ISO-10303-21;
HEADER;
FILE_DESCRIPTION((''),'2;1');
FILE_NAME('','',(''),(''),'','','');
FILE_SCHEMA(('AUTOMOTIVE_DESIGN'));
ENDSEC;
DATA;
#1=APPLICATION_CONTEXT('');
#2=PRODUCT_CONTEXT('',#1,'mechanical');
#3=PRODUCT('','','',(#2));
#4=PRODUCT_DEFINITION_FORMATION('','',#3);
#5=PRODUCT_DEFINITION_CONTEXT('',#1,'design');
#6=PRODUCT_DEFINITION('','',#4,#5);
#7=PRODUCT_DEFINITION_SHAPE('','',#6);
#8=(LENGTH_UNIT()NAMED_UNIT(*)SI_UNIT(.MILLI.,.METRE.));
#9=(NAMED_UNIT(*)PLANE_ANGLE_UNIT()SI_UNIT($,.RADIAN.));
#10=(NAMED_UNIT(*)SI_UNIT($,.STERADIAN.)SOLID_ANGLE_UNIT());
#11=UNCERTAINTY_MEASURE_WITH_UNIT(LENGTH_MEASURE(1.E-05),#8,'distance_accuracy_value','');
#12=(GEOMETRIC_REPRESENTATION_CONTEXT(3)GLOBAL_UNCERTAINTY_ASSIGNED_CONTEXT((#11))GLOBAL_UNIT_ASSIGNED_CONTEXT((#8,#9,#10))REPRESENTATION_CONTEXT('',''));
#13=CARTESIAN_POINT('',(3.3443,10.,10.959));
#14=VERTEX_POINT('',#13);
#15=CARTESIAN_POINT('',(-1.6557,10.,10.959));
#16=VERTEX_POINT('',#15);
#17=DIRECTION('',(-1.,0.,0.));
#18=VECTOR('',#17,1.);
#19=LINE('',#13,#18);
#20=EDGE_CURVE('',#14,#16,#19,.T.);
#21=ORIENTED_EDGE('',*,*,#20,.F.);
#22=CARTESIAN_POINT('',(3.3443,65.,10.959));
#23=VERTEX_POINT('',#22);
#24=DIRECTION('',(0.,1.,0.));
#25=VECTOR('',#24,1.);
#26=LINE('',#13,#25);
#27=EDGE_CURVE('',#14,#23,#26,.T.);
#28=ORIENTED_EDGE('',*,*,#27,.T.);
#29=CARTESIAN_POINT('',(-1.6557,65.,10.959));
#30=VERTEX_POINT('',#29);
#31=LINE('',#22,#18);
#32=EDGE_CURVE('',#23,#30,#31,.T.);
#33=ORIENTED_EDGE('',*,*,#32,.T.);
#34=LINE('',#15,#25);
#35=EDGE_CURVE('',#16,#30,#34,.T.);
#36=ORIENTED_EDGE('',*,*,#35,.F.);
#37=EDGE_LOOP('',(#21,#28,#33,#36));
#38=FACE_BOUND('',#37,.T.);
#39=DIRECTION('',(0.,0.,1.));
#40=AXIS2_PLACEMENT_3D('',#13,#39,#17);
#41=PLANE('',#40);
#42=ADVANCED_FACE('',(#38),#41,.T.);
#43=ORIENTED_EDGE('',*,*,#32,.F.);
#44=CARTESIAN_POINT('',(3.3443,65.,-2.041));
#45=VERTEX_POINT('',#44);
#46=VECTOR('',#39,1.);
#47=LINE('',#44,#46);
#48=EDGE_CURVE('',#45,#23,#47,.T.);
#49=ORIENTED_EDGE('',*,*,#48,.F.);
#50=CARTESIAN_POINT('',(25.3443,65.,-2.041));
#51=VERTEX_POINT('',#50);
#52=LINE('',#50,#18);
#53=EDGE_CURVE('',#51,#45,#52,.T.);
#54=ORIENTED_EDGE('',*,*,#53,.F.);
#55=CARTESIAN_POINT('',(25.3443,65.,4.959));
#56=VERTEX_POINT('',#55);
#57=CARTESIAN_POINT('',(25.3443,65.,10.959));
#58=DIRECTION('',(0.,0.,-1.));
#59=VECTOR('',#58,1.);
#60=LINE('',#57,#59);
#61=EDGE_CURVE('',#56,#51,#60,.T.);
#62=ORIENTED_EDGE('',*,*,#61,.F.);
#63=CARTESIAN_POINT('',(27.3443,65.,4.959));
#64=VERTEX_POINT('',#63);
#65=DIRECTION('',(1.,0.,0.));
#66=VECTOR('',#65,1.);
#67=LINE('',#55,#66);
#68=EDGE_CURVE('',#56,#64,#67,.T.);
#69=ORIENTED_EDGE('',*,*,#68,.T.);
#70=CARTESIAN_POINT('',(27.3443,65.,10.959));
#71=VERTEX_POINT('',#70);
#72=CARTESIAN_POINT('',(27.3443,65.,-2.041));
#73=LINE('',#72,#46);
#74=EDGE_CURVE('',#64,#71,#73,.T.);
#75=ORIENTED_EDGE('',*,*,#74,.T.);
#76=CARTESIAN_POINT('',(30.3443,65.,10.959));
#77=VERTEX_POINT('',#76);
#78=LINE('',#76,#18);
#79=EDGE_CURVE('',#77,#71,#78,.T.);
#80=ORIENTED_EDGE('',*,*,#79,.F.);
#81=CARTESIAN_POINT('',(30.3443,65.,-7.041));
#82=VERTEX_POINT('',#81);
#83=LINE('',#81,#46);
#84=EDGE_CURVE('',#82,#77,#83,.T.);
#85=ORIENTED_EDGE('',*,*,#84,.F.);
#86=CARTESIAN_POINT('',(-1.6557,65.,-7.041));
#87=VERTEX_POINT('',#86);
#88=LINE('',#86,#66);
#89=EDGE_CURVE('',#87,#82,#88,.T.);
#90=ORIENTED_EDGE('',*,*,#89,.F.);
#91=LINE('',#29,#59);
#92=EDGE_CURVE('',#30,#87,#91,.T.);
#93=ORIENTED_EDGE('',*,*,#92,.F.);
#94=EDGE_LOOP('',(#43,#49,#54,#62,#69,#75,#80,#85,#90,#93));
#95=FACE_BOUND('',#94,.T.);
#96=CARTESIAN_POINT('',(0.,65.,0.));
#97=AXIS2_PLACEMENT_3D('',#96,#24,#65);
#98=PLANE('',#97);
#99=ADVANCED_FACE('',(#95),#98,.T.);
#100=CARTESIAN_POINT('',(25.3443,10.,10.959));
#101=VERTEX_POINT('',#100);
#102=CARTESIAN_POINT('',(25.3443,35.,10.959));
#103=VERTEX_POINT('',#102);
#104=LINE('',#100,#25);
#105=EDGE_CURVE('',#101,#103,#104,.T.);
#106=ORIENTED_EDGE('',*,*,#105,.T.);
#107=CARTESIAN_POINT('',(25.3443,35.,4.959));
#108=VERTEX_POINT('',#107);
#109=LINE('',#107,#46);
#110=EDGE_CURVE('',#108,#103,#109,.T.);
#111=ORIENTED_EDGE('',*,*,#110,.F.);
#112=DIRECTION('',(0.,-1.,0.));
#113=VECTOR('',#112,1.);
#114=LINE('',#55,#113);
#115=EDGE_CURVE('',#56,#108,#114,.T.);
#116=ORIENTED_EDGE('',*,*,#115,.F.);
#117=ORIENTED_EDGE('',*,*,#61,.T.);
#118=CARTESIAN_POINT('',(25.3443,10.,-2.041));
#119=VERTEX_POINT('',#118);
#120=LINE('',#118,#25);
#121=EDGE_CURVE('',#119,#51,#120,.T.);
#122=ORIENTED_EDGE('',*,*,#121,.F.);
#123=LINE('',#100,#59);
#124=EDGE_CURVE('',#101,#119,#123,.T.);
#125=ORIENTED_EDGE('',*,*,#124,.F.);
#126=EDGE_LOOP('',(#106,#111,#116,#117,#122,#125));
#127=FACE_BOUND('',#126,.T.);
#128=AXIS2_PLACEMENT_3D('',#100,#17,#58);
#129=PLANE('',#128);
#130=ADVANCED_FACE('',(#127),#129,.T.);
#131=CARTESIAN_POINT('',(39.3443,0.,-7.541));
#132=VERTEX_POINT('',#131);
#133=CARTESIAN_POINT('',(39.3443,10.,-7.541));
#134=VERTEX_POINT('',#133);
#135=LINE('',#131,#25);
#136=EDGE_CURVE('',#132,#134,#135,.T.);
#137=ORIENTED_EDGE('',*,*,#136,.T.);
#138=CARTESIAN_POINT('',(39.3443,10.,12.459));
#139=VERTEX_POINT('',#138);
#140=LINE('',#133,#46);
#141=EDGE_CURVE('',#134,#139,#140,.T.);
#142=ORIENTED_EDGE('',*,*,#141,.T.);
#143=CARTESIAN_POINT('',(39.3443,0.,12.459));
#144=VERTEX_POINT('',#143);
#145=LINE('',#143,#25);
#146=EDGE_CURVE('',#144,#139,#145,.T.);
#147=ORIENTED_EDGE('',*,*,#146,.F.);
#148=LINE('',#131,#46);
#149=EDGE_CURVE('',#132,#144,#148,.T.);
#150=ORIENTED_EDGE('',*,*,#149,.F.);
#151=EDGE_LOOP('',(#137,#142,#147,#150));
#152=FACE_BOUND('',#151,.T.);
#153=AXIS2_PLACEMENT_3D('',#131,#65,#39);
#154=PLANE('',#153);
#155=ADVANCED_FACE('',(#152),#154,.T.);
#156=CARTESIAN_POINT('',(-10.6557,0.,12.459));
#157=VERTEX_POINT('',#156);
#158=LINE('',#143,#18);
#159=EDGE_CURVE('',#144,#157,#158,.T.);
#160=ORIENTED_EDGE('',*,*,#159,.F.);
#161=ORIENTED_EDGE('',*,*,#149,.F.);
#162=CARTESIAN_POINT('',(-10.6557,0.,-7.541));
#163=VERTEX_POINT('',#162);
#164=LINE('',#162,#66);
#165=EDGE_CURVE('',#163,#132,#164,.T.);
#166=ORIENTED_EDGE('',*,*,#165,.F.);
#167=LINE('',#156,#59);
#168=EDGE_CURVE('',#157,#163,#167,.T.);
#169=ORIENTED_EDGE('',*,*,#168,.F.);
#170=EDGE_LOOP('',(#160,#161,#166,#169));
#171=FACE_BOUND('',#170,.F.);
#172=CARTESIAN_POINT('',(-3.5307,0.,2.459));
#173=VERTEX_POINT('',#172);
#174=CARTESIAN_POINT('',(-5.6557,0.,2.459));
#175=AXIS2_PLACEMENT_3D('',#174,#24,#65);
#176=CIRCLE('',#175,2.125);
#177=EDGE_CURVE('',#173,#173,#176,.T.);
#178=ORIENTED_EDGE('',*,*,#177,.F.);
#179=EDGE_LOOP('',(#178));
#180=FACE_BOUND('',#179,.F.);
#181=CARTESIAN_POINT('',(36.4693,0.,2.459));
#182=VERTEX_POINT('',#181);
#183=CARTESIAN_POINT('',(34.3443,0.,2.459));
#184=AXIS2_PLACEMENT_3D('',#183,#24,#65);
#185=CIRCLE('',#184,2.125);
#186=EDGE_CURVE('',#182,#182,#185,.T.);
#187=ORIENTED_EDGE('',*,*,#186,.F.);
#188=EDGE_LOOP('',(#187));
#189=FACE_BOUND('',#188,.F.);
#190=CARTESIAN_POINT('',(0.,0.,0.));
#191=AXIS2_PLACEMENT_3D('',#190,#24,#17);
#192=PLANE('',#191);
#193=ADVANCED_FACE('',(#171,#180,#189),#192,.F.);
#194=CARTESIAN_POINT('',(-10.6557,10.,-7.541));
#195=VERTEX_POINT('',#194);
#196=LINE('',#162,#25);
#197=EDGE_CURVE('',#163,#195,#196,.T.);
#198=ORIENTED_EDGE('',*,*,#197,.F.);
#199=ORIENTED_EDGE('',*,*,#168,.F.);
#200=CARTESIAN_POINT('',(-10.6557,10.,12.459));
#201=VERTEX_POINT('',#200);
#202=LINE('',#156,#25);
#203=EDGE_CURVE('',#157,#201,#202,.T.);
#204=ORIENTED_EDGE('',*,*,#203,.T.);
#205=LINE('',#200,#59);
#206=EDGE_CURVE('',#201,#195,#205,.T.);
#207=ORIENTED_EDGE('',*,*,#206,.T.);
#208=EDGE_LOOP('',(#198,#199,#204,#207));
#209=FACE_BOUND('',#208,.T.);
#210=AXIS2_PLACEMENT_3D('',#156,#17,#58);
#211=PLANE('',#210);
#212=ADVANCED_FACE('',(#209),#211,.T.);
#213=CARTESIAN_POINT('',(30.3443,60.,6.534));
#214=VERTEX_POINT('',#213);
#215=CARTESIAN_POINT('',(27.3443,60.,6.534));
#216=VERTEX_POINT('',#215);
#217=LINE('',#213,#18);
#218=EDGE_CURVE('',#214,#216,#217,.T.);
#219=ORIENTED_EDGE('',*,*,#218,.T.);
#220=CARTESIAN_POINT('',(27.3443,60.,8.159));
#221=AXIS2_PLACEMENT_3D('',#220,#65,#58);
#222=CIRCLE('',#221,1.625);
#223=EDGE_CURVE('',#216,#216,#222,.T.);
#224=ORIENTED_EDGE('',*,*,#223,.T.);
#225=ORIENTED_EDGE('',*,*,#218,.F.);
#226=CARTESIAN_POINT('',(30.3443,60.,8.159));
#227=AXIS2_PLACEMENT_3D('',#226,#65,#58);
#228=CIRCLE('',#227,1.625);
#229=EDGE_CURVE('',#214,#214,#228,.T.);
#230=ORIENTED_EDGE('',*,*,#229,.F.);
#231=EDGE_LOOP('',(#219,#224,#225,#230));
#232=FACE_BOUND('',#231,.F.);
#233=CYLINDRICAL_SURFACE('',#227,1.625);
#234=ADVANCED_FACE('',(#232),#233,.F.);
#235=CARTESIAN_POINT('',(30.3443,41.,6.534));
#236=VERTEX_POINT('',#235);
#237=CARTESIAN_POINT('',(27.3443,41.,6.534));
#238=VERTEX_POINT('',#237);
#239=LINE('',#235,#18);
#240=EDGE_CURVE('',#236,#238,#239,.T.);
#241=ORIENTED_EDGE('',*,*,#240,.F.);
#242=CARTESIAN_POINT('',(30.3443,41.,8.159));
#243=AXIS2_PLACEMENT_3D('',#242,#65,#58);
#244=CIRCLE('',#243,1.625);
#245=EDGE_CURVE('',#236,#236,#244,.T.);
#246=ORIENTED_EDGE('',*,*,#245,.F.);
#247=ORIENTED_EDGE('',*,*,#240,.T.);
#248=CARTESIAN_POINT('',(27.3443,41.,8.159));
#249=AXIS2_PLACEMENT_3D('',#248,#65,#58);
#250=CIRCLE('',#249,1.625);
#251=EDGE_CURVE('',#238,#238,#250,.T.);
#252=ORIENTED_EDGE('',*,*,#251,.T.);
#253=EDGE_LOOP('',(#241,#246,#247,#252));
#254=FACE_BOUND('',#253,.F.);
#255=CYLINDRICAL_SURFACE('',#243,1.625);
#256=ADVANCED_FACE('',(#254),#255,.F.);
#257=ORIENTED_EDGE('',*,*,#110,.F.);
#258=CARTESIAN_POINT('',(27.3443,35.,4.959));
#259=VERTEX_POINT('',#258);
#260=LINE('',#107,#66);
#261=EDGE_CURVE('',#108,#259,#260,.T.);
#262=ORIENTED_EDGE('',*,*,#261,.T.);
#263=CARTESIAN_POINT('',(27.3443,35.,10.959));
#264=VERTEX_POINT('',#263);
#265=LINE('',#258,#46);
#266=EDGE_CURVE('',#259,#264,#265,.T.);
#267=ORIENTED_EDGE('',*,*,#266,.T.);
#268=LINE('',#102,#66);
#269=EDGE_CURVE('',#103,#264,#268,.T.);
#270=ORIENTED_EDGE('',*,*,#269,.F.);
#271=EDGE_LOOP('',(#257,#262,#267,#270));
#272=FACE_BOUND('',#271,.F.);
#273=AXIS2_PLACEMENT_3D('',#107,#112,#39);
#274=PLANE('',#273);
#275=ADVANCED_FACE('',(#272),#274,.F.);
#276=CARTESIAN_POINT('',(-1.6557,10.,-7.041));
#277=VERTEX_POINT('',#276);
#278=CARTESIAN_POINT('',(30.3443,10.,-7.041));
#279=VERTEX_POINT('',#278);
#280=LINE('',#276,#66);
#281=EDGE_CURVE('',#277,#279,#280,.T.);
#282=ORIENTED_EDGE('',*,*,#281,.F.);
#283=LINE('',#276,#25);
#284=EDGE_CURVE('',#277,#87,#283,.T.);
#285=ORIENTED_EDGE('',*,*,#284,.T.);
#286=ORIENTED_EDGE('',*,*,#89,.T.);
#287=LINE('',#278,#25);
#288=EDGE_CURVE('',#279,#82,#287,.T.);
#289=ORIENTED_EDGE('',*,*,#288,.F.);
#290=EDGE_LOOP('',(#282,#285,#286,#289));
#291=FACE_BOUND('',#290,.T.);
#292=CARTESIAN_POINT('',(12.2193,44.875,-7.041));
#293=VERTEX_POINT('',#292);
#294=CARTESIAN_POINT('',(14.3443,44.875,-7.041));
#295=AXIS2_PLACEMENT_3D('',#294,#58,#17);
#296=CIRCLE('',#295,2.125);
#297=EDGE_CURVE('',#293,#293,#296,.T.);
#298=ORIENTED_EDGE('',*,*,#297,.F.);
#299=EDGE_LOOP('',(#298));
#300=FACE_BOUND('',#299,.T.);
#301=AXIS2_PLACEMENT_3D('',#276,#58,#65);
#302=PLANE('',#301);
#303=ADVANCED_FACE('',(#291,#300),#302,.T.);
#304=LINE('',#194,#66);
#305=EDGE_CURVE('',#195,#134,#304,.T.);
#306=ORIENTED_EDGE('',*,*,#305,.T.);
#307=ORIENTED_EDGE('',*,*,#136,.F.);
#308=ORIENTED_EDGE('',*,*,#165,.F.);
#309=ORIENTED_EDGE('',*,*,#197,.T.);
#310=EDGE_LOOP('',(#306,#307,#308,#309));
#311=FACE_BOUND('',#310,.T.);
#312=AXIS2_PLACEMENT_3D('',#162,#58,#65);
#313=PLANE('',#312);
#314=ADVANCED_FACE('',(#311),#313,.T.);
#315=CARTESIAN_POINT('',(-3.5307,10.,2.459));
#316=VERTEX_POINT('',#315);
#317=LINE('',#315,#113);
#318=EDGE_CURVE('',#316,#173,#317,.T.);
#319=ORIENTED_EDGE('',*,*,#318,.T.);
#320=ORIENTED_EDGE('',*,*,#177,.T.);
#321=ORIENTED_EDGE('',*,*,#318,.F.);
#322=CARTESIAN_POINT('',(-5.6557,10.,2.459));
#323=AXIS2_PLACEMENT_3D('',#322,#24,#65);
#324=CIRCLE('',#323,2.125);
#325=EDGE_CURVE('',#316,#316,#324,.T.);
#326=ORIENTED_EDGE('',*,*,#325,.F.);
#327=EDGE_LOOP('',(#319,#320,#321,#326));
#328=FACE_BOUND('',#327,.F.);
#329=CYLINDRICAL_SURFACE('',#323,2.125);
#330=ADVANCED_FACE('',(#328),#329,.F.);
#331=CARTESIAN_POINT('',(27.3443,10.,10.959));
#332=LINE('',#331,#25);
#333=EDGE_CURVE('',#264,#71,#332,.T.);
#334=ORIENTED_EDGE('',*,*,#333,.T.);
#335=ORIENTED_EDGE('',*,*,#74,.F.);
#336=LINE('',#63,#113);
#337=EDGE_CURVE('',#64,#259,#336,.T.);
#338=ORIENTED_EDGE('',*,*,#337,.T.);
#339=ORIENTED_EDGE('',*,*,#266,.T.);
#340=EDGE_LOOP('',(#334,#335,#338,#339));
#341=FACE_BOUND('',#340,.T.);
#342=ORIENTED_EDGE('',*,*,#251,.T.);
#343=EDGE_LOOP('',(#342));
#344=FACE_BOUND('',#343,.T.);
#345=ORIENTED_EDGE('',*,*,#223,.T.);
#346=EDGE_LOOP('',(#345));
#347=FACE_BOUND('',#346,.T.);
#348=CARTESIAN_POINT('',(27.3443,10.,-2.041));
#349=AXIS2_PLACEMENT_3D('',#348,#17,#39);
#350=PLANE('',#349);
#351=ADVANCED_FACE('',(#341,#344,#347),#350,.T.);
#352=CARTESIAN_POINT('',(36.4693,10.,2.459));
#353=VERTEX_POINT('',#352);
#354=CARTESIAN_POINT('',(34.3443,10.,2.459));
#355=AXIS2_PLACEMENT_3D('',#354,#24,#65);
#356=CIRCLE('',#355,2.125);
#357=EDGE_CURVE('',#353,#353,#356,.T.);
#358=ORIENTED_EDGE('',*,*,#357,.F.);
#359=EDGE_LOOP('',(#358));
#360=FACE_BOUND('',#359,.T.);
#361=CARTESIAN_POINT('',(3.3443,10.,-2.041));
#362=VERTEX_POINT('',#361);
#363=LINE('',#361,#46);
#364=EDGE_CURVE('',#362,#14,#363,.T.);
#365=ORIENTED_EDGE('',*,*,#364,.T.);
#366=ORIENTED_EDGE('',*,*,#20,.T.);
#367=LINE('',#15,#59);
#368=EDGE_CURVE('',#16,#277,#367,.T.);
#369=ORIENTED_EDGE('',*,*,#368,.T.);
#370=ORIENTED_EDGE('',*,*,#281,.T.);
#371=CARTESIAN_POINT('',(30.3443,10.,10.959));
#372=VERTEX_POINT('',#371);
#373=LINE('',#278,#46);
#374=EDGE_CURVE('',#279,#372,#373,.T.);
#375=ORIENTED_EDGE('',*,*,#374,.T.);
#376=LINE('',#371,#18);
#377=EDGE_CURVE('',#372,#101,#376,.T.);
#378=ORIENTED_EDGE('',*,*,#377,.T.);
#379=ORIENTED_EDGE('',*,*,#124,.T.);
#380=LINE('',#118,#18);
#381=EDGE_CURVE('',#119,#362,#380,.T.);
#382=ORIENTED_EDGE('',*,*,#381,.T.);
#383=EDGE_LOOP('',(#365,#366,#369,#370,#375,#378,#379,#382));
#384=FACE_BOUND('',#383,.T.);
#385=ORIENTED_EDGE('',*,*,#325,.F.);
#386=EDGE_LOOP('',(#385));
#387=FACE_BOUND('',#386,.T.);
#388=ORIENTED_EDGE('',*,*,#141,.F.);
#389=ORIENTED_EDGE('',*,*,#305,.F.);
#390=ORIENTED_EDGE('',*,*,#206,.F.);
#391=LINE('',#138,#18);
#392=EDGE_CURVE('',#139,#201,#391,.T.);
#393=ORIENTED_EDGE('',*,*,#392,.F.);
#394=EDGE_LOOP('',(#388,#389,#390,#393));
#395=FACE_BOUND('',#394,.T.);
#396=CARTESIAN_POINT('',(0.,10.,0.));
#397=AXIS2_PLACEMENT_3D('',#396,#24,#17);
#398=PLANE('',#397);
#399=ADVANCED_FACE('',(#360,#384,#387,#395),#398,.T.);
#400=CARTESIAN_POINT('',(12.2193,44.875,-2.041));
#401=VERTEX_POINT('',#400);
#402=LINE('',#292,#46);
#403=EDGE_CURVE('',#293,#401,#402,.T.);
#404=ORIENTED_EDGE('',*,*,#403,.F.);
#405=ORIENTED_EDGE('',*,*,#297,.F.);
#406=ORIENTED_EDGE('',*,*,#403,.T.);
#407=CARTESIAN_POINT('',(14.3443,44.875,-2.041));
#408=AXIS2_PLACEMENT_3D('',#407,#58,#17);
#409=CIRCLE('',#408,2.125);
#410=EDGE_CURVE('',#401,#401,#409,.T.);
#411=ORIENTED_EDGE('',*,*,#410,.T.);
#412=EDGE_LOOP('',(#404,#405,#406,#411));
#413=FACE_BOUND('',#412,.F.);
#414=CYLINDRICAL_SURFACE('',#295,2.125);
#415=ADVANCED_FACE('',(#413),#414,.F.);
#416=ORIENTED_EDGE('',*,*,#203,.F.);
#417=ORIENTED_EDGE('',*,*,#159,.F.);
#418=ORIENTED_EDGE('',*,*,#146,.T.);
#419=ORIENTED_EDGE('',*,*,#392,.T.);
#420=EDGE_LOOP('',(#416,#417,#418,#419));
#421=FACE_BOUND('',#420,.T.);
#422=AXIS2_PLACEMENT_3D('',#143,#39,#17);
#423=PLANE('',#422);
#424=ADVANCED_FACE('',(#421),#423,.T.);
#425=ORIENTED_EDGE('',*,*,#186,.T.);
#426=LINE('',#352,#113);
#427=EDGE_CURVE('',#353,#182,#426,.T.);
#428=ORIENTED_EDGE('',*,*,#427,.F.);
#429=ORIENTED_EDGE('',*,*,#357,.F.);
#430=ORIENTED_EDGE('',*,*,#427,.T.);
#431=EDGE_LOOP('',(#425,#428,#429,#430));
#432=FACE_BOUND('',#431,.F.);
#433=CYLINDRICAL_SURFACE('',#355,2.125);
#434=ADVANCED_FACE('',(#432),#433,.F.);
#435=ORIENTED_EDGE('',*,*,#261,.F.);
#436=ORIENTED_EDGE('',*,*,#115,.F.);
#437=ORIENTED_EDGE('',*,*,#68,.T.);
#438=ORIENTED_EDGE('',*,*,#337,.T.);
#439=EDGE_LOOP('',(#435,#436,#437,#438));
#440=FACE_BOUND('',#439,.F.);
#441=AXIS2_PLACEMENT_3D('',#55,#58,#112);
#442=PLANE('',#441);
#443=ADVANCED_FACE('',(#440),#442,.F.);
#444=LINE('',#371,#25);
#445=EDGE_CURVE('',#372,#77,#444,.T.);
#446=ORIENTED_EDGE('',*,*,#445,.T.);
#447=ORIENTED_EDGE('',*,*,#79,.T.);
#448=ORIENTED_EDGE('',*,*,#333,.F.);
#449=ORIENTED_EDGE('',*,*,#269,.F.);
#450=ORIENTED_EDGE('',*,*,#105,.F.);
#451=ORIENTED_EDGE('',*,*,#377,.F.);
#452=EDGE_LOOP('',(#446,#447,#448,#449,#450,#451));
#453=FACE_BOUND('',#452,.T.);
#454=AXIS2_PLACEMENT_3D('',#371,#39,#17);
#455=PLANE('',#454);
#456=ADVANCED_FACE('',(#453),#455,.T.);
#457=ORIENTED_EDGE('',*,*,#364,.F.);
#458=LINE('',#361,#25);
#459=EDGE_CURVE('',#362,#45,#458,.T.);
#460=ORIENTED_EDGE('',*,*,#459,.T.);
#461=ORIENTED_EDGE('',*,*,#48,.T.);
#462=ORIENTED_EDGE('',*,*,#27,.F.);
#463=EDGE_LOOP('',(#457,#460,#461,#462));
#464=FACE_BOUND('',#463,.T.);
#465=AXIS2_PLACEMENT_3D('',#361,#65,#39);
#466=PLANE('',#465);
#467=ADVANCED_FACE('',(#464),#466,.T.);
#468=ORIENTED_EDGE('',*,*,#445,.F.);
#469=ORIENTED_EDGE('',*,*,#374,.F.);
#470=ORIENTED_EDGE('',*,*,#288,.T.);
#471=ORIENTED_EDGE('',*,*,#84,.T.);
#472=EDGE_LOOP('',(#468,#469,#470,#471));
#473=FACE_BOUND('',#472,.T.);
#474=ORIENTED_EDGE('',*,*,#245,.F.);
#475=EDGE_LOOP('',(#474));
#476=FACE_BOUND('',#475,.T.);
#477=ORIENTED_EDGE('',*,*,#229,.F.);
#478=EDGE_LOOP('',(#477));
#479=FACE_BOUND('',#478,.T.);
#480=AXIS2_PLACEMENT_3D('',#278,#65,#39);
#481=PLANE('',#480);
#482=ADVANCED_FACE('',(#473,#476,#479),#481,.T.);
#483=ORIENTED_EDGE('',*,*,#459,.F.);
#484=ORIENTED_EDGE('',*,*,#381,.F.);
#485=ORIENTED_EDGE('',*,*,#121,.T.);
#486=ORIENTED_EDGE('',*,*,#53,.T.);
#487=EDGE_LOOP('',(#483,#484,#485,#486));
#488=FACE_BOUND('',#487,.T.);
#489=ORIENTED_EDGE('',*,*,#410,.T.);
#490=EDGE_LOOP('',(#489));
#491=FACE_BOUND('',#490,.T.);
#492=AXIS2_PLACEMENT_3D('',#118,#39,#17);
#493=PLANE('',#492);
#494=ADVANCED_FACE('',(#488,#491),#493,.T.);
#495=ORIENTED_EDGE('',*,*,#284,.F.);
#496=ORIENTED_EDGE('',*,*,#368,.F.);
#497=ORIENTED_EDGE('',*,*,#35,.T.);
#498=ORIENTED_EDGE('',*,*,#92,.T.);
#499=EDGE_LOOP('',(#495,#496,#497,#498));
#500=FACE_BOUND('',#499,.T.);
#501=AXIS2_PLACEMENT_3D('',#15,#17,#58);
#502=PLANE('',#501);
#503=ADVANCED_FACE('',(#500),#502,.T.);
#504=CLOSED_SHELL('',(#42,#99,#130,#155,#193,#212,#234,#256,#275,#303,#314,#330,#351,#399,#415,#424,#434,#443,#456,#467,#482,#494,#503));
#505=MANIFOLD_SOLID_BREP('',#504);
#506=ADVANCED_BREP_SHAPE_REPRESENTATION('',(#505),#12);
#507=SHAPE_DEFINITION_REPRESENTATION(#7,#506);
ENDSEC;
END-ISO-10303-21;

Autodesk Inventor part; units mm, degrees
ref_plane "YZ Plane" through (0, 0, 0) normal (1, 0, 0) x (0, 1, 0)
ref_plane "XZ Plane" through (0, 0, 0) normal (0, 1, 0) x (-1, 0, 0)
ref_plane "XY Plane" through (0, 0, 0) normal (0, 0, 1) x (1, 0, 0)
sketch "Sketch2" plane through (0, 0, 0) normal (0, 1, 0) x (-1, 0, 0)
  line L0 (10.6557, -7.541) -> (-39.3443, -7.541)
  line L1 (-39.3443, -7.541) -> (-39.3443, 12.459)
  line L2 (-39.3443, 12.459) -> (10.6557, 12.459)
  line L3 (10.6557, 12.459) -> (10.6557, -7.541)
  point P0 (0, 0)
  dimension "d10" = 20
  dimension "d11" = 50
extrude "Extrusion3" add sketch "Sketch2" along normal blind 10
sketch "Sketch3" plane through (0, 10, 0) normal (0, 1, 0) x (1, 0, 0)
  line L0 (39.3443, 7.541) -> (-10.6557, 7.541) projected
  line L1 (-10.6557, 7.541) -> (-10.6557, -12.459) projected
  line L2 (-10.6557, -12.459) -> (39.3443, -12.459) projected
  line L3 (39.3443, -12.459) -> (39.3443, 7.541) projected
  line L4 (-1.6557, -10.959) -> (-1.6557, 7.041)
  line L5 (-1.6557, 7.041) -> (30.3443, 7.041)
  line L6 (30.3443, 7.041) -> (30.3443, -10.959)
  line L7 (30.3443, -10.959) -> (25.3443, -10.959)
  line L8 (25.3443, -10.959) -> (25.3443, 2.041)
  line L9 (25.3443, 2.041) -> (3.3443, 2.041)
  line L10 (3.3443, 2.041) -> (3.3443, -10.959)
  line L11 (3.3443, -10.959) -> (-1.6557, -10.959)
  line L12 (-1.6557, 7.041) -> (-10.6557, 7.041) construction
  line L13 (30.3443, 7.041) -> (39.3443, 7.041) construction
  line L14 (-1.6557, 7.041) -> (-1.6557, 7.541) construction
  point P0 (0, 0)
  dimension "d14" = 22
  dimension "d15" = 5
  dimension "d16" = 5
  dimension "d17" = 0.5
  dimension "d18" = 13
extrude "Extrusion4" add sketch "Sketch3" along normal blind 55 contours L4 L5 L6 L7 L8 L9 L10 L11
sketch "Sketch4" plane through (30.3443, 10, -7.041) normal (0, 0, -1) x (-1, 0, 0)
  circle A0 centre (16, 34.875) radius 2.125
  line L0 (16, 34.875) -> (0, 34.875) construction
  line L1 (0, 0) -> (0, 55) projected
  line L2 (16, 34.875) -> (32, 34.875) construction
  line L3 (32, 0) -> (32, 55) projected
  line L4 (0, 55) -> (32, 55) projected
  line L5 (-9, 0) -> (41, 0) projected
  point P0 (30.3443, -10)
  point P1 (28, 0)
  dimension "d21" = 4.25
  dimension "d32" = 34.875
extrude "Extrusion5" cut sketch "Sketch4" against normal up to next contours A0
sketch "Sketch5" plane through (0, 10, 0) normal (0, 1, 0) x (1, 0, 0)
  circle A0 centre (-5.6557, -2.459) radius 2.125
  circle A1 centre (34.3443, -2.459) radius 2.125
  line L0 (-5.6557, -2.459) -> (-10.6557, -2.459) construction
  line L1 (34.3443, -2.459) -> (39.3443, -2.459) construction
  line L2 (39.3443, -12.459) -> (39.3443, 7.541) projected
  line L3 (39.3443, 7.541) -> (-10.6557, 7.541) projected
  line L4 (-10.6557, 7.541) -> (-10.6557, -12.459) projected
  point P0 (0, 0)
  dimension "d26" = 4.25
  dimension "d27" = 10
  dimension "d28" = 5
extrude "Extrusion6" cut sketch "Sketch5" against normal up to next
sketch "Sketch6" plane through (30.3443, 10, 10.959) normal (1, 0, 0) x (0, 0, -1)
  circle A0 centre (2.8, 31) radius 1.625
  circle A1 centre (2.8, 50) radius 1.625
  line L0 (18, 0) -> (0, 0) projected
  line L1 (0, 0) -> (0, 55) projected
  line L2 (2.8, 50) -> (2.8, 31) construction
  point P0 (10.959, -10)
  dimension "d33" = 3.25
  dimension "d34" = 3.25
  dimension "d35" = 19
  dimension "d36" = 31
  dimension "d37" = 2.8
extrude "Extrusion7" cut sketch "Sketch6" against normal up to surface (5 mm away)
sketch "Sketch7" plane through (25.3443, 10, -2.041) normal (-1, 0, 0) x (0, 0, 1)
  line L0 (0, 55) -> (13, 55) projected
  line L1 (7, 55) -> (7, 25)
  line L2 (7, 25) -> (13, 25)
  line L3 (13, 0) -> (13, 55) projected
  line L4 (13, 25) -> (13, 55)
  line L5 (7, 55) -> (13, 55)
  point P0 (2.041, -10)
  dimension "d40" = 6
  dimension "d41" = 30
extrude "Extrusion8" cut sketch "Sketch7" against normal blind 2
properties part number "XPulleySupportBase" material "ABS Plastic"
